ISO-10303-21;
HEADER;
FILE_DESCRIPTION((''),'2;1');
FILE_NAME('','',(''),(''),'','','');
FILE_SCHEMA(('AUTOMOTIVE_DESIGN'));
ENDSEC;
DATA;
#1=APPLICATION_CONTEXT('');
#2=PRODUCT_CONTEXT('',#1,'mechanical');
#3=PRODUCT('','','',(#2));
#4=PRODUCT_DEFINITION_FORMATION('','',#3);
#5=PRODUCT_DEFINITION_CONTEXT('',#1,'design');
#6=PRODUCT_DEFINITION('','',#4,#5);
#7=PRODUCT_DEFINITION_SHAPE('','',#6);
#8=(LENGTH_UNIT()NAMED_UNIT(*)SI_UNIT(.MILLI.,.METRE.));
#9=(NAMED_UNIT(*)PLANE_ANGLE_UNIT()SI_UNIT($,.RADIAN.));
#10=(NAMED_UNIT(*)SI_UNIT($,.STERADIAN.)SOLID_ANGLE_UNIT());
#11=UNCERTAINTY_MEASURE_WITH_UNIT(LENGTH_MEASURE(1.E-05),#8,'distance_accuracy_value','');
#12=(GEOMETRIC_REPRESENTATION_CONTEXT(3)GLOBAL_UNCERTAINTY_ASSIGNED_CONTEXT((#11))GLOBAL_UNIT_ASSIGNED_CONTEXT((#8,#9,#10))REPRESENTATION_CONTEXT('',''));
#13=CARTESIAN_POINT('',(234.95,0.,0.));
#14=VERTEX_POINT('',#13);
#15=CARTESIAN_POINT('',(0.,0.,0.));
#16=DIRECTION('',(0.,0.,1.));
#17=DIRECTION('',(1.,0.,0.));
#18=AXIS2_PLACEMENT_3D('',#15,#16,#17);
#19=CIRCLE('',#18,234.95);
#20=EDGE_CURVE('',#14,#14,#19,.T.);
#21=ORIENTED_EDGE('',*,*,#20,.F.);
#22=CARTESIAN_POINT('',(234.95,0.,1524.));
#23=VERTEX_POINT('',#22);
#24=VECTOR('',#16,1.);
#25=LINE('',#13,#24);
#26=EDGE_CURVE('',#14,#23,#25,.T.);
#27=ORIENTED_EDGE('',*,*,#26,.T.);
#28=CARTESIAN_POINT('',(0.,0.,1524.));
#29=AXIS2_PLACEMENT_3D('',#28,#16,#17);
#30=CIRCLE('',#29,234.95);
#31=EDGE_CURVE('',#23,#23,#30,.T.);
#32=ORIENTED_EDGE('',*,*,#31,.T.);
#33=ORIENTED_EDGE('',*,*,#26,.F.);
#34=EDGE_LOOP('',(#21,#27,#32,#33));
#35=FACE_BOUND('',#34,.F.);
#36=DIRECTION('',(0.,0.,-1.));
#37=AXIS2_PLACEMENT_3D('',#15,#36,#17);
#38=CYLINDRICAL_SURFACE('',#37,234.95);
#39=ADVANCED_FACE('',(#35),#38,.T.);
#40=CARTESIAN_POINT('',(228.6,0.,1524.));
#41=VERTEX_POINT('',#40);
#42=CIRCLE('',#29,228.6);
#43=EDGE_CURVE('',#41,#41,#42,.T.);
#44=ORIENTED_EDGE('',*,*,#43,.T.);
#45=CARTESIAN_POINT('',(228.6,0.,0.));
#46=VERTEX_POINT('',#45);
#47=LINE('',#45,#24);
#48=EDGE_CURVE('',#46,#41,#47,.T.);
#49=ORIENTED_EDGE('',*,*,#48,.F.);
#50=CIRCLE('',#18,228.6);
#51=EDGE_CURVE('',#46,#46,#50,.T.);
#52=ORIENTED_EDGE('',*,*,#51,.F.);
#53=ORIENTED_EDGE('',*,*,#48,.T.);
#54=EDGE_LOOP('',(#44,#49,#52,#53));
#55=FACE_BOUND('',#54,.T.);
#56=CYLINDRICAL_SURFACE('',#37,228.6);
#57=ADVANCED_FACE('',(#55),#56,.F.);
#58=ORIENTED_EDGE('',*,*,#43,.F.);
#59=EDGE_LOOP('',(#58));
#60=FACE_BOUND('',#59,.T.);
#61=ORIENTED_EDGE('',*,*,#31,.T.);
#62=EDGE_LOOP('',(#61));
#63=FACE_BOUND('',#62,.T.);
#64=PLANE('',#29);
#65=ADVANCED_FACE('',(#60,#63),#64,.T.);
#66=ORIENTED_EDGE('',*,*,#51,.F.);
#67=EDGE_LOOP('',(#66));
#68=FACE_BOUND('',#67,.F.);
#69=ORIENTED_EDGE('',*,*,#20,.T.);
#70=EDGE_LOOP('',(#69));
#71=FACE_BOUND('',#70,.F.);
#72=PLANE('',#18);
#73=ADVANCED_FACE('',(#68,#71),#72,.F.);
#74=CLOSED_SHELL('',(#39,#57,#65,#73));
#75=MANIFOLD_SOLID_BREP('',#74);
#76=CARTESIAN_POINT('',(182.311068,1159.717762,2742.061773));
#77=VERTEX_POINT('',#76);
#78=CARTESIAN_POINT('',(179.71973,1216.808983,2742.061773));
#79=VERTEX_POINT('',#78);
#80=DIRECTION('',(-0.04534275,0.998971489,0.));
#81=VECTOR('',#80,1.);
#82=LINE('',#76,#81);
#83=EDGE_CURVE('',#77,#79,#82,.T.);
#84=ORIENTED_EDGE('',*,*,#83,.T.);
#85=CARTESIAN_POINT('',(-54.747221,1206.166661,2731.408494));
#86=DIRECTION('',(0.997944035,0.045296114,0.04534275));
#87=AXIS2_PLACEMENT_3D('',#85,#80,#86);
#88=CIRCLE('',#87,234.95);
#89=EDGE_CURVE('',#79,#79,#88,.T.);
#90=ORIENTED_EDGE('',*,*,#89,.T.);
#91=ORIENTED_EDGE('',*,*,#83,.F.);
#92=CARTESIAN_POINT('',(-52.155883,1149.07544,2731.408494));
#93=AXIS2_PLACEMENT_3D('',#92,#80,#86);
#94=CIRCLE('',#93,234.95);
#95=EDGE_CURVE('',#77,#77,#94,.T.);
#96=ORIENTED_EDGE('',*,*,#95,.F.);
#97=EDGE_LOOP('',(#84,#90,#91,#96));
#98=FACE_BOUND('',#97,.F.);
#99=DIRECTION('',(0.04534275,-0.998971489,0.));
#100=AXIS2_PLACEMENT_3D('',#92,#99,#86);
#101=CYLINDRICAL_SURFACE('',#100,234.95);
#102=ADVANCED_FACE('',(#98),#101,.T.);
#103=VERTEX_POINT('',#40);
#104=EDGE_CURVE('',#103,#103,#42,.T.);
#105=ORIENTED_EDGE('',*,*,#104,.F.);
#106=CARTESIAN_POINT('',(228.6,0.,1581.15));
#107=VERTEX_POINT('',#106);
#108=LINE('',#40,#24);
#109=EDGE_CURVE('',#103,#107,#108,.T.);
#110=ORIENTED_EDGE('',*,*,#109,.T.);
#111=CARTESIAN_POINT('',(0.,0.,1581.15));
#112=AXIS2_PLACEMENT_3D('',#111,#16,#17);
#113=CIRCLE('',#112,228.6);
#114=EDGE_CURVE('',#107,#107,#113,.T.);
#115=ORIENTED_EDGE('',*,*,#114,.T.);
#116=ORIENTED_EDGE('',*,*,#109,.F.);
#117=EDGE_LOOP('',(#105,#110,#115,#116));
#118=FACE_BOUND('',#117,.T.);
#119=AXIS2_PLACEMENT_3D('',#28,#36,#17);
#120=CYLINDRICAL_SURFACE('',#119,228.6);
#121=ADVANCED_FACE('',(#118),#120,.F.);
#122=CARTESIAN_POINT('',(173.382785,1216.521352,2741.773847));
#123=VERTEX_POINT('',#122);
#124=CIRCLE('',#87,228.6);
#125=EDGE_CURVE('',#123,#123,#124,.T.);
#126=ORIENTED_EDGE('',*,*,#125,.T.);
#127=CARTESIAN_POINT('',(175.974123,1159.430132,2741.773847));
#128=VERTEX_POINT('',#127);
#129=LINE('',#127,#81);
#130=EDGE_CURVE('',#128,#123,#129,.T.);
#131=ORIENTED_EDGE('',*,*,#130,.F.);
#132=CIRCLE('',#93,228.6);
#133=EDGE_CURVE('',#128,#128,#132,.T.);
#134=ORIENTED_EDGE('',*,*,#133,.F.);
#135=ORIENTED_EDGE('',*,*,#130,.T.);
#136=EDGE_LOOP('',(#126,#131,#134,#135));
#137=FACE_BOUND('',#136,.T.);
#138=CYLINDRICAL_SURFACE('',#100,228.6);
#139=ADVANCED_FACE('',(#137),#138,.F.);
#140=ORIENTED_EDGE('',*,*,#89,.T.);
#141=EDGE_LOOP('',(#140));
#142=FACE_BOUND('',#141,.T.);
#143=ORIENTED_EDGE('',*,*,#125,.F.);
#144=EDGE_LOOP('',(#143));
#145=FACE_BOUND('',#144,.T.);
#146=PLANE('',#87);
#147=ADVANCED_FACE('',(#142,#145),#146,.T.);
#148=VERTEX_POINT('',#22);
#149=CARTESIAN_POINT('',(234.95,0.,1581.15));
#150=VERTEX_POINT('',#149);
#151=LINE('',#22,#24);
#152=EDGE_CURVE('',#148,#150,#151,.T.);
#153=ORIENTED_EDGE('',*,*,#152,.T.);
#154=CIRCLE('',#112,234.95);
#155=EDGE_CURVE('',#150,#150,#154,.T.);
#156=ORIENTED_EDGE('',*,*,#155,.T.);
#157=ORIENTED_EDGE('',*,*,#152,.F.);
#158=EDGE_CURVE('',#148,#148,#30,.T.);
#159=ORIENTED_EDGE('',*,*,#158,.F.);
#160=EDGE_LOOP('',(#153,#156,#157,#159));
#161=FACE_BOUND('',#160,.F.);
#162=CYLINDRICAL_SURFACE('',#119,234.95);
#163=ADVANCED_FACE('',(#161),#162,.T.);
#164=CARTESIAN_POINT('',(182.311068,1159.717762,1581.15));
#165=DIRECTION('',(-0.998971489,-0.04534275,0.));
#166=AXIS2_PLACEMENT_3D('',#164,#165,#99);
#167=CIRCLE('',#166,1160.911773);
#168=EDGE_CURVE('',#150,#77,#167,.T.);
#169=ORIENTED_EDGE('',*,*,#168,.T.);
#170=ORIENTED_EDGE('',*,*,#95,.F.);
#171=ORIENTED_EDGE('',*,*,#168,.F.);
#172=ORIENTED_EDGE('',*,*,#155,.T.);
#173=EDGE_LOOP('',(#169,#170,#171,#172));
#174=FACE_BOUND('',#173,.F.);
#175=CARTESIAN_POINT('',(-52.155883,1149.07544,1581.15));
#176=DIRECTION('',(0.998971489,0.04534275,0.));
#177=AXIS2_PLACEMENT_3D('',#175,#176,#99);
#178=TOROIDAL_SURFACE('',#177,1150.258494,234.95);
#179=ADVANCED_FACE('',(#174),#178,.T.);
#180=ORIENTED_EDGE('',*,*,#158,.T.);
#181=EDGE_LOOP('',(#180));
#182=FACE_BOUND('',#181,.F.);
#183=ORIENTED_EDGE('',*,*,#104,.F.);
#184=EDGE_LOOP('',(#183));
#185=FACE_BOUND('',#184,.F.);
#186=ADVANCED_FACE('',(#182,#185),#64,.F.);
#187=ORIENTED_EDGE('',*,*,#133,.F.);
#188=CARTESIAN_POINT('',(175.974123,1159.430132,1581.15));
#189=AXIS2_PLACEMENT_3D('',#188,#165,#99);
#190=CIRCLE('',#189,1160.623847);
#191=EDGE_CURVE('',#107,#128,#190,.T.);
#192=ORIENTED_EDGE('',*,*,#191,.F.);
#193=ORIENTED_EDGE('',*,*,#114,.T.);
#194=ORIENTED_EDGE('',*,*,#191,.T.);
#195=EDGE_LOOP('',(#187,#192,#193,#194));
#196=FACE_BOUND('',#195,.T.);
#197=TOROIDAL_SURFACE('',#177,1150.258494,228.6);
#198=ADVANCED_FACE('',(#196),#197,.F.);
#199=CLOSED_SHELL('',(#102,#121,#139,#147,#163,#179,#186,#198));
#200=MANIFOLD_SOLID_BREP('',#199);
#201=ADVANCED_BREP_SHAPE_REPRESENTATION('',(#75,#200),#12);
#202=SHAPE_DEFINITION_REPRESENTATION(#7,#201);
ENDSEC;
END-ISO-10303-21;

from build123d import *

# Parameters (mm, degrees)
F0_R        = 234.95
F0_R_2      = 228.6
F1_DEPTH    = 1524
F4_DEPTH    = 57.15
F4_FACE_R   = 234.95
F4_FACE_R_2 = 228.6
F5_ANGLE    = 90
F6_DEPTH    = 57.15


with BuildPart() as f1:
    # F0 (on Top) → F1 (new body)
    with BuildSketch(Plane.XY):
        Circle(F0_R)
        Circle(F0_R_2, mode=Mode.SUBTRACT)
    extrude(amount=F1_DEPTH)


with BuildPart() as f4:
    # F4 (new): a face of the model
    f4_faces = [f1.part.faces().sort_by_distance(p)[0] for p in [
        (-234.285461047, 0, 1524),
    ]]
    extrude(f4_faces, amount=F4_DEPTH)

    # F4_face (on face) → F5 (revolve)
    with BuildSketch(Plane.XY.offset(1581.15)):
        Circle(F4_FACE_R)
        Circle(F4_FACE_R_2, mode=Mode.SUBTRACT)
    revolve(axis=Axis((-93.0036529899, 1147.2213830948, 1581.15), (-0.9989714886, -0.0453427497, 0)), revolution_arc=F5_ANGLE)

    # F6 (add): a face of the model
    f6_faces = [f4.faces().sort_by_distance(p)[0] for p in [
        (-285.9596612882, 1138.4632192455, 2720.7853471814),
    ]]
    extrude(f6_faces, amount=F6_DEPTH)


solid = Compound([f1.part, f4.part])
